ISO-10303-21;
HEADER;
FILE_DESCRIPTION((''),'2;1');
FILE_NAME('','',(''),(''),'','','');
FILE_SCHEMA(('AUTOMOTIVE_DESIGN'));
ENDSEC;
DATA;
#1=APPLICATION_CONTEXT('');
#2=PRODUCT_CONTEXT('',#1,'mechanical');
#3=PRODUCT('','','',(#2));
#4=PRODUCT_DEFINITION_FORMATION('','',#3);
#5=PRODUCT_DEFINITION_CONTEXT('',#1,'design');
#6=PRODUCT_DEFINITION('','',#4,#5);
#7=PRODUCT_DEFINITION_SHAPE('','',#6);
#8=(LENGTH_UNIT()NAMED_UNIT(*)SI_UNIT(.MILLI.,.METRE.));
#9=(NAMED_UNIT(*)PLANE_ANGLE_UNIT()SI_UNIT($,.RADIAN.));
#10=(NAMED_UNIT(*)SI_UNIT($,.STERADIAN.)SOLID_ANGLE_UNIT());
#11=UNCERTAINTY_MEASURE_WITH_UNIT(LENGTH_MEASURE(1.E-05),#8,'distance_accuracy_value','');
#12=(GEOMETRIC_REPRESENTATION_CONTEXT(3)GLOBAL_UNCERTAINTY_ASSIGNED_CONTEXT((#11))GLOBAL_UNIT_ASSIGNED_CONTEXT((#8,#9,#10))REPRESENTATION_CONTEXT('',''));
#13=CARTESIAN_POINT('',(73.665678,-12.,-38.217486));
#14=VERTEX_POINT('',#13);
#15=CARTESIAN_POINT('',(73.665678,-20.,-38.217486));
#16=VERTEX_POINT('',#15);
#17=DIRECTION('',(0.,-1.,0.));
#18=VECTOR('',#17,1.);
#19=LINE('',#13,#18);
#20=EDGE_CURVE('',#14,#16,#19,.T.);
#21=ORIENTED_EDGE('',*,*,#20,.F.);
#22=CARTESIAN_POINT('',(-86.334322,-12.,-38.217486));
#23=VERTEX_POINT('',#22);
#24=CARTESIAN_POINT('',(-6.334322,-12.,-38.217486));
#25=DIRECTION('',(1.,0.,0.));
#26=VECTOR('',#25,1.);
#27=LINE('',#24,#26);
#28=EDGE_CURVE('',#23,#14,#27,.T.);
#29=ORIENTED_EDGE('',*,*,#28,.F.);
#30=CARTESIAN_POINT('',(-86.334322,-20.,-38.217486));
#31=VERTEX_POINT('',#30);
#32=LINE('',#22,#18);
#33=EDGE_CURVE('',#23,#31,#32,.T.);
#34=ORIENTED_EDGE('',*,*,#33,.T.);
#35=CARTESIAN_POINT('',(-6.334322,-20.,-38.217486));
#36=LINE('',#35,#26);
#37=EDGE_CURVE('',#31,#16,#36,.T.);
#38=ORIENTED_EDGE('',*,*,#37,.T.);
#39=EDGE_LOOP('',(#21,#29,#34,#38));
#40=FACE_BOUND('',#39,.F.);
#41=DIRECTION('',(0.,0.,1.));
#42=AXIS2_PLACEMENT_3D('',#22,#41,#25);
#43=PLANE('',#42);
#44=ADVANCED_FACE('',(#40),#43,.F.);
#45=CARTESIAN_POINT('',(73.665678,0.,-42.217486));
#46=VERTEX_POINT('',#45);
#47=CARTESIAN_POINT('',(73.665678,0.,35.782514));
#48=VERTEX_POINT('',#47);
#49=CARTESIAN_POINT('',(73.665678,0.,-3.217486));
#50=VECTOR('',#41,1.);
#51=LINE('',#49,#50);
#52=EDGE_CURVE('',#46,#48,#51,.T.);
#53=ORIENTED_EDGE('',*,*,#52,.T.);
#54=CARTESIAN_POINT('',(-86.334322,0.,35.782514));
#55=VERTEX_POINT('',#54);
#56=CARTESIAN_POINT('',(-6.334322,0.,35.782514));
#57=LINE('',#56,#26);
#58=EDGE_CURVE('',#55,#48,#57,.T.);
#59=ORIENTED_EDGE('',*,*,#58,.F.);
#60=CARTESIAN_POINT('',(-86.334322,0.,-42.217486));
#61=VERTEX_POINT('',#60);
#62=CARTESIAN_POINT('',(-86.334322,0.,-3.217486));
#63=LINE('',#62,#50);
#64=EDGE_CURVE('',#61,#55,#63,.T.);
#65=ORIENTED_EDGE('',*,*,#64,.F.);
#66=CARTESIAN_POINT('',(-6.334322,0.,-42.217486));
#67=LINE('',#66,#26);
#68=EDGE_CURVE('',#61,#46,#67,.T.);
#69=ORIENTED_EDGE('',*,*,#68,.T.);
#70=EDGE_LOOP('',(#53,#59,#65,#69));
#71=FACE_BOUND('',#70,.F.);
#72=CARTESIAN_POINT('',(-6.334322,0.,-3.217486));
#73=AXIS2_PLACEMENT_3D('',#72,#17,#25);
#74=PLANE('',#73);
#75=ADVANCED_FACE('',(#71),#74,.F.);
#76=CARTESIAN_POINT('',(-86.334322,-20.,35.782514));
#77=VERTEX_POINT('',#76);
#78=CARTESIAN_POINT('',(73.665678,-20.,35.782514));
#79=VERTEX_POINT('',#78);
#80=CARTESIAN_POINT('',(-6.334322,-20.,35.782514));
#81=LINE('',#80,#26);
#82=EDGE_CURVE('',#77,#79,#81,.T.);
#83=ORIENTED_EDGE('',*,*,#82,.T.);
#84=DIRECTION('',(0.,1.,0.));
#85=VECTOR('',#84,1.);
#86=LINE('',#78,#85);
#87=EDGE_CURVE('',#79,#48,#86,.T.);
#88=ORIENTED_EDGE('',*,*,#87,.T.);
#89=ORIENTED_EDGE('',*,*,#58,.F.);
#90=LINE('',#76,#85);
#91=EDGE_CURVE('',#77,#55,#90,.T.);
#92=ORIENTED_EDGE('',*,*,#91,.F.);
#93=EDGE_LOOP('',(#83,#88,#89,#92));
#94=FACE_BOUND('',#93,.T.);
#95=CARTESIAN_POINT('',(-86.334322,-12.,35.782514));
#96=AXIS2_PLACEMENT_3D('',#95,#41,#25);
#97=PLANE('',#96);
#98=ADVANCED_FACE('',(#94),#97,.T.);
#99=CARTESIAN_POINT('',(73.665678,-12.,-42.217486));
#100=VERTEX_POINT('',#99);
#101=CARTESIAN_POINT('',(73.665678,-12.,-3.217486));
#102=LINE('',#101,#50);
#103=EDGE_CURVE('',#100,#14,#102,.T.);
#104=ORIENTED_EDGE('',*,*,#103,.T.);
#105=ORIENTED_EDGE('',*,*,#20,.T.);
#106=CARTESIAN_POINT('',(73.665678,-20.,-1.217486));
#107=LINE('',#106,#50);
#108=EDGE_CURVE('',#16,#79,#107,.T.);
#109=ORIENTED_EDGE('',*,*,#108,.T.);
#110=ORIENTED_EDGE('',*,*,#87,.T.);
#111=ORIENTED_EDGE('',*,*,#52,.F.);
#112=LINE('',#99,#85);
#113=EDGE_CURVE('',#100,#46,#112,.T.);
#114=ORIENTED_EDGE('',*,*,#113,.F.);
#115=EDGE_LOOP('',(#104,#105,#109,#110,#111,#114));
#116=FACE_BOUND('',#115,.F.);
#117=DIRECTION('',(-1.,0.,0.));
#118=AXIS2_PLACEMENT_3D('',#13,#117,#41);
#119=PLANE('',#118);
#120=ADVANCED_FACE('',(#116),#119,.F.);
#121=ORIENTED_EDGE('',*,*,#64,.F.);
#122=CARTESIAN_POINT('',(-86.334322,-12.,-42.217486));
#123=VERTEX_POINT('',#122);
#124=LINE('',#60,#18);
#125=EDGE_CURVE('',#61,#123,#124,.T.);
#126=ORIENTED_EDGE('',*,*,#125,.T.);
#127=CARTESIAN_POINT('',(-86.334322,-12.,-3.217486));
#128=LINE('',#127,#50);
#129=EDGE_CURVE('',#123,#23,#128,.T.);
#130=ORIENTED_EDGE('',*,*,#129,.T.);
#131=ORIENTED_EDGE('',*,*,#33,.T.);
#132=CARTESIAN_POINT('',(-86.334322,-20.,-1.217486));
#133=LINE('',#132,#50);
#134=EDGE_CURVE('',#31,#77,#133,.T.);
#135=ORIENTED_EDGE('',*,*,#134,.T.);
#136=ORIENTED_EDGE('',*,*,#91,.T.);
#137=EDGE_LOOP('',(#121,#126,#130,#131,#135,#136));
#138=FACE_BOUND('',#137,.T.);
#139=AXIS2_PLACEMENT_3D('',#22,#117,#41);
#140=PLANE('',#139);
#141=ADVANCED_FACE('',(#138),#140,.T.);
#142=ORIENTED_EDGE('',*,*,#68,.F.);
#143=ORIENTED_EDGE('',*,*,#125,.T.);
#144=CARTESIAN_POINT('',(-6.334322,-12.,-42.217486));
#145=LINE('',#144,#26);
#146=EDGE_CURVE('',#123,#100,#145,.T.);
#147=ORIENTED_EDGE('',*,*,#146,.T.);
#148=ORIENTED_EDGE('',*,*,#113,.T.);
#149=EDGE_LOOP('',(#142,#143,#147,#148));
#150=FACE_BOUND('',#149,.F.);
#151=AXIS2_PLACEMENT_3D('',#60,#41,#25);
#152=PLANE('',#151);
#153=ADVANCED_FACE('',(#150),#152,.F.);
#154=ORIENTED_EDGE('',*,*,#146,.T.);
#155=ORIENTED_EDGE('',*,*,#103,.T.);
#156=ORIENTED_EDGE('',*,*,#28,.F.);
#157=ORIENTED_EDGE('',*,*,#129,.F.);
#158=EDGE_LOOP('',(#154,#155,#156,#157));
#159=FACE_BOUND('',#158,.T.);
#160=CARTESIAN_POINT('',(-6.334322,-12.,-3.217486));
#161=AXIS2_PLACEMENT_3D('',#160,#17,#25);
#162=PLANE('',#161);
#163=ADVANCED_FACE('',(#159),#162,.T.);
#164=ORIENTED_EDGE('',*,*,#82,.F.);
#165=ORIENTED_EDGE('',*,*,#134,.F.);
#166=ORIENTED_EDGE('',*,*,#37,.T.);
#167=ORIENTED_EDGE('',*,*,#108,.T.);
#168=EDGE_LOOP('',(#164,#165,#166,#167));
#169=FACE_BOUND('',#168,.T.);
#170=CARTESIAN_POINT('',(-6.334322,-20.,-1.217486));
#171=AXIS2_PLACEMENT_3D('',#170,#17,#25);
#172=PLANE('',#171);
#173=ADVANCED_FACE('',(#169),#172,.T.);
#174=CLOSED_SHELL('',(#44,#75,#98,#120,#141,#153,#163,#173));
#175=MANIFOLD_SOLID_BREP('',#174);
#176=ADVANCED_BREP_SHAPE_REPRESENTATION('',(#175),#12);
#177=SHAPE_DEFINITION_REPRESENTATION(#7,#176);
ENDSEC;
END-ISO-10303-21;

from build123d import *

# Parameters (mm, degrees)
F0_W     = 160
F0_H     = 78
F1_DEPTH = 12
F2_W     = 160
F2_H     = 74
F3_DEPTH = 8


with BuildPart() as f1:
    # F0 (on Front) → F1 (new body)
    with BuildSketch(Plane.XZ):
        with Locations((-6.334322, -3.217486)):
            Rectangle(F0_W, F0_H)
    extrude(amount=F1_DEPTH)

    # F2 (on face) + F0 (on Front) → F3 (join)
    with BuildSketch(Plane.XZ.offset(12)):
        with Locations((-6.334322, -1.217486)):
            Rectangle(F2_W, F2_H)
    with BuildSketch(Plane.XZ):
        with Locations((-6.334322, -3.217486)):
            Rectangle(F0_W, F0_H)
    extrude(amount=F3_DEPTH)


solid = f1.part
